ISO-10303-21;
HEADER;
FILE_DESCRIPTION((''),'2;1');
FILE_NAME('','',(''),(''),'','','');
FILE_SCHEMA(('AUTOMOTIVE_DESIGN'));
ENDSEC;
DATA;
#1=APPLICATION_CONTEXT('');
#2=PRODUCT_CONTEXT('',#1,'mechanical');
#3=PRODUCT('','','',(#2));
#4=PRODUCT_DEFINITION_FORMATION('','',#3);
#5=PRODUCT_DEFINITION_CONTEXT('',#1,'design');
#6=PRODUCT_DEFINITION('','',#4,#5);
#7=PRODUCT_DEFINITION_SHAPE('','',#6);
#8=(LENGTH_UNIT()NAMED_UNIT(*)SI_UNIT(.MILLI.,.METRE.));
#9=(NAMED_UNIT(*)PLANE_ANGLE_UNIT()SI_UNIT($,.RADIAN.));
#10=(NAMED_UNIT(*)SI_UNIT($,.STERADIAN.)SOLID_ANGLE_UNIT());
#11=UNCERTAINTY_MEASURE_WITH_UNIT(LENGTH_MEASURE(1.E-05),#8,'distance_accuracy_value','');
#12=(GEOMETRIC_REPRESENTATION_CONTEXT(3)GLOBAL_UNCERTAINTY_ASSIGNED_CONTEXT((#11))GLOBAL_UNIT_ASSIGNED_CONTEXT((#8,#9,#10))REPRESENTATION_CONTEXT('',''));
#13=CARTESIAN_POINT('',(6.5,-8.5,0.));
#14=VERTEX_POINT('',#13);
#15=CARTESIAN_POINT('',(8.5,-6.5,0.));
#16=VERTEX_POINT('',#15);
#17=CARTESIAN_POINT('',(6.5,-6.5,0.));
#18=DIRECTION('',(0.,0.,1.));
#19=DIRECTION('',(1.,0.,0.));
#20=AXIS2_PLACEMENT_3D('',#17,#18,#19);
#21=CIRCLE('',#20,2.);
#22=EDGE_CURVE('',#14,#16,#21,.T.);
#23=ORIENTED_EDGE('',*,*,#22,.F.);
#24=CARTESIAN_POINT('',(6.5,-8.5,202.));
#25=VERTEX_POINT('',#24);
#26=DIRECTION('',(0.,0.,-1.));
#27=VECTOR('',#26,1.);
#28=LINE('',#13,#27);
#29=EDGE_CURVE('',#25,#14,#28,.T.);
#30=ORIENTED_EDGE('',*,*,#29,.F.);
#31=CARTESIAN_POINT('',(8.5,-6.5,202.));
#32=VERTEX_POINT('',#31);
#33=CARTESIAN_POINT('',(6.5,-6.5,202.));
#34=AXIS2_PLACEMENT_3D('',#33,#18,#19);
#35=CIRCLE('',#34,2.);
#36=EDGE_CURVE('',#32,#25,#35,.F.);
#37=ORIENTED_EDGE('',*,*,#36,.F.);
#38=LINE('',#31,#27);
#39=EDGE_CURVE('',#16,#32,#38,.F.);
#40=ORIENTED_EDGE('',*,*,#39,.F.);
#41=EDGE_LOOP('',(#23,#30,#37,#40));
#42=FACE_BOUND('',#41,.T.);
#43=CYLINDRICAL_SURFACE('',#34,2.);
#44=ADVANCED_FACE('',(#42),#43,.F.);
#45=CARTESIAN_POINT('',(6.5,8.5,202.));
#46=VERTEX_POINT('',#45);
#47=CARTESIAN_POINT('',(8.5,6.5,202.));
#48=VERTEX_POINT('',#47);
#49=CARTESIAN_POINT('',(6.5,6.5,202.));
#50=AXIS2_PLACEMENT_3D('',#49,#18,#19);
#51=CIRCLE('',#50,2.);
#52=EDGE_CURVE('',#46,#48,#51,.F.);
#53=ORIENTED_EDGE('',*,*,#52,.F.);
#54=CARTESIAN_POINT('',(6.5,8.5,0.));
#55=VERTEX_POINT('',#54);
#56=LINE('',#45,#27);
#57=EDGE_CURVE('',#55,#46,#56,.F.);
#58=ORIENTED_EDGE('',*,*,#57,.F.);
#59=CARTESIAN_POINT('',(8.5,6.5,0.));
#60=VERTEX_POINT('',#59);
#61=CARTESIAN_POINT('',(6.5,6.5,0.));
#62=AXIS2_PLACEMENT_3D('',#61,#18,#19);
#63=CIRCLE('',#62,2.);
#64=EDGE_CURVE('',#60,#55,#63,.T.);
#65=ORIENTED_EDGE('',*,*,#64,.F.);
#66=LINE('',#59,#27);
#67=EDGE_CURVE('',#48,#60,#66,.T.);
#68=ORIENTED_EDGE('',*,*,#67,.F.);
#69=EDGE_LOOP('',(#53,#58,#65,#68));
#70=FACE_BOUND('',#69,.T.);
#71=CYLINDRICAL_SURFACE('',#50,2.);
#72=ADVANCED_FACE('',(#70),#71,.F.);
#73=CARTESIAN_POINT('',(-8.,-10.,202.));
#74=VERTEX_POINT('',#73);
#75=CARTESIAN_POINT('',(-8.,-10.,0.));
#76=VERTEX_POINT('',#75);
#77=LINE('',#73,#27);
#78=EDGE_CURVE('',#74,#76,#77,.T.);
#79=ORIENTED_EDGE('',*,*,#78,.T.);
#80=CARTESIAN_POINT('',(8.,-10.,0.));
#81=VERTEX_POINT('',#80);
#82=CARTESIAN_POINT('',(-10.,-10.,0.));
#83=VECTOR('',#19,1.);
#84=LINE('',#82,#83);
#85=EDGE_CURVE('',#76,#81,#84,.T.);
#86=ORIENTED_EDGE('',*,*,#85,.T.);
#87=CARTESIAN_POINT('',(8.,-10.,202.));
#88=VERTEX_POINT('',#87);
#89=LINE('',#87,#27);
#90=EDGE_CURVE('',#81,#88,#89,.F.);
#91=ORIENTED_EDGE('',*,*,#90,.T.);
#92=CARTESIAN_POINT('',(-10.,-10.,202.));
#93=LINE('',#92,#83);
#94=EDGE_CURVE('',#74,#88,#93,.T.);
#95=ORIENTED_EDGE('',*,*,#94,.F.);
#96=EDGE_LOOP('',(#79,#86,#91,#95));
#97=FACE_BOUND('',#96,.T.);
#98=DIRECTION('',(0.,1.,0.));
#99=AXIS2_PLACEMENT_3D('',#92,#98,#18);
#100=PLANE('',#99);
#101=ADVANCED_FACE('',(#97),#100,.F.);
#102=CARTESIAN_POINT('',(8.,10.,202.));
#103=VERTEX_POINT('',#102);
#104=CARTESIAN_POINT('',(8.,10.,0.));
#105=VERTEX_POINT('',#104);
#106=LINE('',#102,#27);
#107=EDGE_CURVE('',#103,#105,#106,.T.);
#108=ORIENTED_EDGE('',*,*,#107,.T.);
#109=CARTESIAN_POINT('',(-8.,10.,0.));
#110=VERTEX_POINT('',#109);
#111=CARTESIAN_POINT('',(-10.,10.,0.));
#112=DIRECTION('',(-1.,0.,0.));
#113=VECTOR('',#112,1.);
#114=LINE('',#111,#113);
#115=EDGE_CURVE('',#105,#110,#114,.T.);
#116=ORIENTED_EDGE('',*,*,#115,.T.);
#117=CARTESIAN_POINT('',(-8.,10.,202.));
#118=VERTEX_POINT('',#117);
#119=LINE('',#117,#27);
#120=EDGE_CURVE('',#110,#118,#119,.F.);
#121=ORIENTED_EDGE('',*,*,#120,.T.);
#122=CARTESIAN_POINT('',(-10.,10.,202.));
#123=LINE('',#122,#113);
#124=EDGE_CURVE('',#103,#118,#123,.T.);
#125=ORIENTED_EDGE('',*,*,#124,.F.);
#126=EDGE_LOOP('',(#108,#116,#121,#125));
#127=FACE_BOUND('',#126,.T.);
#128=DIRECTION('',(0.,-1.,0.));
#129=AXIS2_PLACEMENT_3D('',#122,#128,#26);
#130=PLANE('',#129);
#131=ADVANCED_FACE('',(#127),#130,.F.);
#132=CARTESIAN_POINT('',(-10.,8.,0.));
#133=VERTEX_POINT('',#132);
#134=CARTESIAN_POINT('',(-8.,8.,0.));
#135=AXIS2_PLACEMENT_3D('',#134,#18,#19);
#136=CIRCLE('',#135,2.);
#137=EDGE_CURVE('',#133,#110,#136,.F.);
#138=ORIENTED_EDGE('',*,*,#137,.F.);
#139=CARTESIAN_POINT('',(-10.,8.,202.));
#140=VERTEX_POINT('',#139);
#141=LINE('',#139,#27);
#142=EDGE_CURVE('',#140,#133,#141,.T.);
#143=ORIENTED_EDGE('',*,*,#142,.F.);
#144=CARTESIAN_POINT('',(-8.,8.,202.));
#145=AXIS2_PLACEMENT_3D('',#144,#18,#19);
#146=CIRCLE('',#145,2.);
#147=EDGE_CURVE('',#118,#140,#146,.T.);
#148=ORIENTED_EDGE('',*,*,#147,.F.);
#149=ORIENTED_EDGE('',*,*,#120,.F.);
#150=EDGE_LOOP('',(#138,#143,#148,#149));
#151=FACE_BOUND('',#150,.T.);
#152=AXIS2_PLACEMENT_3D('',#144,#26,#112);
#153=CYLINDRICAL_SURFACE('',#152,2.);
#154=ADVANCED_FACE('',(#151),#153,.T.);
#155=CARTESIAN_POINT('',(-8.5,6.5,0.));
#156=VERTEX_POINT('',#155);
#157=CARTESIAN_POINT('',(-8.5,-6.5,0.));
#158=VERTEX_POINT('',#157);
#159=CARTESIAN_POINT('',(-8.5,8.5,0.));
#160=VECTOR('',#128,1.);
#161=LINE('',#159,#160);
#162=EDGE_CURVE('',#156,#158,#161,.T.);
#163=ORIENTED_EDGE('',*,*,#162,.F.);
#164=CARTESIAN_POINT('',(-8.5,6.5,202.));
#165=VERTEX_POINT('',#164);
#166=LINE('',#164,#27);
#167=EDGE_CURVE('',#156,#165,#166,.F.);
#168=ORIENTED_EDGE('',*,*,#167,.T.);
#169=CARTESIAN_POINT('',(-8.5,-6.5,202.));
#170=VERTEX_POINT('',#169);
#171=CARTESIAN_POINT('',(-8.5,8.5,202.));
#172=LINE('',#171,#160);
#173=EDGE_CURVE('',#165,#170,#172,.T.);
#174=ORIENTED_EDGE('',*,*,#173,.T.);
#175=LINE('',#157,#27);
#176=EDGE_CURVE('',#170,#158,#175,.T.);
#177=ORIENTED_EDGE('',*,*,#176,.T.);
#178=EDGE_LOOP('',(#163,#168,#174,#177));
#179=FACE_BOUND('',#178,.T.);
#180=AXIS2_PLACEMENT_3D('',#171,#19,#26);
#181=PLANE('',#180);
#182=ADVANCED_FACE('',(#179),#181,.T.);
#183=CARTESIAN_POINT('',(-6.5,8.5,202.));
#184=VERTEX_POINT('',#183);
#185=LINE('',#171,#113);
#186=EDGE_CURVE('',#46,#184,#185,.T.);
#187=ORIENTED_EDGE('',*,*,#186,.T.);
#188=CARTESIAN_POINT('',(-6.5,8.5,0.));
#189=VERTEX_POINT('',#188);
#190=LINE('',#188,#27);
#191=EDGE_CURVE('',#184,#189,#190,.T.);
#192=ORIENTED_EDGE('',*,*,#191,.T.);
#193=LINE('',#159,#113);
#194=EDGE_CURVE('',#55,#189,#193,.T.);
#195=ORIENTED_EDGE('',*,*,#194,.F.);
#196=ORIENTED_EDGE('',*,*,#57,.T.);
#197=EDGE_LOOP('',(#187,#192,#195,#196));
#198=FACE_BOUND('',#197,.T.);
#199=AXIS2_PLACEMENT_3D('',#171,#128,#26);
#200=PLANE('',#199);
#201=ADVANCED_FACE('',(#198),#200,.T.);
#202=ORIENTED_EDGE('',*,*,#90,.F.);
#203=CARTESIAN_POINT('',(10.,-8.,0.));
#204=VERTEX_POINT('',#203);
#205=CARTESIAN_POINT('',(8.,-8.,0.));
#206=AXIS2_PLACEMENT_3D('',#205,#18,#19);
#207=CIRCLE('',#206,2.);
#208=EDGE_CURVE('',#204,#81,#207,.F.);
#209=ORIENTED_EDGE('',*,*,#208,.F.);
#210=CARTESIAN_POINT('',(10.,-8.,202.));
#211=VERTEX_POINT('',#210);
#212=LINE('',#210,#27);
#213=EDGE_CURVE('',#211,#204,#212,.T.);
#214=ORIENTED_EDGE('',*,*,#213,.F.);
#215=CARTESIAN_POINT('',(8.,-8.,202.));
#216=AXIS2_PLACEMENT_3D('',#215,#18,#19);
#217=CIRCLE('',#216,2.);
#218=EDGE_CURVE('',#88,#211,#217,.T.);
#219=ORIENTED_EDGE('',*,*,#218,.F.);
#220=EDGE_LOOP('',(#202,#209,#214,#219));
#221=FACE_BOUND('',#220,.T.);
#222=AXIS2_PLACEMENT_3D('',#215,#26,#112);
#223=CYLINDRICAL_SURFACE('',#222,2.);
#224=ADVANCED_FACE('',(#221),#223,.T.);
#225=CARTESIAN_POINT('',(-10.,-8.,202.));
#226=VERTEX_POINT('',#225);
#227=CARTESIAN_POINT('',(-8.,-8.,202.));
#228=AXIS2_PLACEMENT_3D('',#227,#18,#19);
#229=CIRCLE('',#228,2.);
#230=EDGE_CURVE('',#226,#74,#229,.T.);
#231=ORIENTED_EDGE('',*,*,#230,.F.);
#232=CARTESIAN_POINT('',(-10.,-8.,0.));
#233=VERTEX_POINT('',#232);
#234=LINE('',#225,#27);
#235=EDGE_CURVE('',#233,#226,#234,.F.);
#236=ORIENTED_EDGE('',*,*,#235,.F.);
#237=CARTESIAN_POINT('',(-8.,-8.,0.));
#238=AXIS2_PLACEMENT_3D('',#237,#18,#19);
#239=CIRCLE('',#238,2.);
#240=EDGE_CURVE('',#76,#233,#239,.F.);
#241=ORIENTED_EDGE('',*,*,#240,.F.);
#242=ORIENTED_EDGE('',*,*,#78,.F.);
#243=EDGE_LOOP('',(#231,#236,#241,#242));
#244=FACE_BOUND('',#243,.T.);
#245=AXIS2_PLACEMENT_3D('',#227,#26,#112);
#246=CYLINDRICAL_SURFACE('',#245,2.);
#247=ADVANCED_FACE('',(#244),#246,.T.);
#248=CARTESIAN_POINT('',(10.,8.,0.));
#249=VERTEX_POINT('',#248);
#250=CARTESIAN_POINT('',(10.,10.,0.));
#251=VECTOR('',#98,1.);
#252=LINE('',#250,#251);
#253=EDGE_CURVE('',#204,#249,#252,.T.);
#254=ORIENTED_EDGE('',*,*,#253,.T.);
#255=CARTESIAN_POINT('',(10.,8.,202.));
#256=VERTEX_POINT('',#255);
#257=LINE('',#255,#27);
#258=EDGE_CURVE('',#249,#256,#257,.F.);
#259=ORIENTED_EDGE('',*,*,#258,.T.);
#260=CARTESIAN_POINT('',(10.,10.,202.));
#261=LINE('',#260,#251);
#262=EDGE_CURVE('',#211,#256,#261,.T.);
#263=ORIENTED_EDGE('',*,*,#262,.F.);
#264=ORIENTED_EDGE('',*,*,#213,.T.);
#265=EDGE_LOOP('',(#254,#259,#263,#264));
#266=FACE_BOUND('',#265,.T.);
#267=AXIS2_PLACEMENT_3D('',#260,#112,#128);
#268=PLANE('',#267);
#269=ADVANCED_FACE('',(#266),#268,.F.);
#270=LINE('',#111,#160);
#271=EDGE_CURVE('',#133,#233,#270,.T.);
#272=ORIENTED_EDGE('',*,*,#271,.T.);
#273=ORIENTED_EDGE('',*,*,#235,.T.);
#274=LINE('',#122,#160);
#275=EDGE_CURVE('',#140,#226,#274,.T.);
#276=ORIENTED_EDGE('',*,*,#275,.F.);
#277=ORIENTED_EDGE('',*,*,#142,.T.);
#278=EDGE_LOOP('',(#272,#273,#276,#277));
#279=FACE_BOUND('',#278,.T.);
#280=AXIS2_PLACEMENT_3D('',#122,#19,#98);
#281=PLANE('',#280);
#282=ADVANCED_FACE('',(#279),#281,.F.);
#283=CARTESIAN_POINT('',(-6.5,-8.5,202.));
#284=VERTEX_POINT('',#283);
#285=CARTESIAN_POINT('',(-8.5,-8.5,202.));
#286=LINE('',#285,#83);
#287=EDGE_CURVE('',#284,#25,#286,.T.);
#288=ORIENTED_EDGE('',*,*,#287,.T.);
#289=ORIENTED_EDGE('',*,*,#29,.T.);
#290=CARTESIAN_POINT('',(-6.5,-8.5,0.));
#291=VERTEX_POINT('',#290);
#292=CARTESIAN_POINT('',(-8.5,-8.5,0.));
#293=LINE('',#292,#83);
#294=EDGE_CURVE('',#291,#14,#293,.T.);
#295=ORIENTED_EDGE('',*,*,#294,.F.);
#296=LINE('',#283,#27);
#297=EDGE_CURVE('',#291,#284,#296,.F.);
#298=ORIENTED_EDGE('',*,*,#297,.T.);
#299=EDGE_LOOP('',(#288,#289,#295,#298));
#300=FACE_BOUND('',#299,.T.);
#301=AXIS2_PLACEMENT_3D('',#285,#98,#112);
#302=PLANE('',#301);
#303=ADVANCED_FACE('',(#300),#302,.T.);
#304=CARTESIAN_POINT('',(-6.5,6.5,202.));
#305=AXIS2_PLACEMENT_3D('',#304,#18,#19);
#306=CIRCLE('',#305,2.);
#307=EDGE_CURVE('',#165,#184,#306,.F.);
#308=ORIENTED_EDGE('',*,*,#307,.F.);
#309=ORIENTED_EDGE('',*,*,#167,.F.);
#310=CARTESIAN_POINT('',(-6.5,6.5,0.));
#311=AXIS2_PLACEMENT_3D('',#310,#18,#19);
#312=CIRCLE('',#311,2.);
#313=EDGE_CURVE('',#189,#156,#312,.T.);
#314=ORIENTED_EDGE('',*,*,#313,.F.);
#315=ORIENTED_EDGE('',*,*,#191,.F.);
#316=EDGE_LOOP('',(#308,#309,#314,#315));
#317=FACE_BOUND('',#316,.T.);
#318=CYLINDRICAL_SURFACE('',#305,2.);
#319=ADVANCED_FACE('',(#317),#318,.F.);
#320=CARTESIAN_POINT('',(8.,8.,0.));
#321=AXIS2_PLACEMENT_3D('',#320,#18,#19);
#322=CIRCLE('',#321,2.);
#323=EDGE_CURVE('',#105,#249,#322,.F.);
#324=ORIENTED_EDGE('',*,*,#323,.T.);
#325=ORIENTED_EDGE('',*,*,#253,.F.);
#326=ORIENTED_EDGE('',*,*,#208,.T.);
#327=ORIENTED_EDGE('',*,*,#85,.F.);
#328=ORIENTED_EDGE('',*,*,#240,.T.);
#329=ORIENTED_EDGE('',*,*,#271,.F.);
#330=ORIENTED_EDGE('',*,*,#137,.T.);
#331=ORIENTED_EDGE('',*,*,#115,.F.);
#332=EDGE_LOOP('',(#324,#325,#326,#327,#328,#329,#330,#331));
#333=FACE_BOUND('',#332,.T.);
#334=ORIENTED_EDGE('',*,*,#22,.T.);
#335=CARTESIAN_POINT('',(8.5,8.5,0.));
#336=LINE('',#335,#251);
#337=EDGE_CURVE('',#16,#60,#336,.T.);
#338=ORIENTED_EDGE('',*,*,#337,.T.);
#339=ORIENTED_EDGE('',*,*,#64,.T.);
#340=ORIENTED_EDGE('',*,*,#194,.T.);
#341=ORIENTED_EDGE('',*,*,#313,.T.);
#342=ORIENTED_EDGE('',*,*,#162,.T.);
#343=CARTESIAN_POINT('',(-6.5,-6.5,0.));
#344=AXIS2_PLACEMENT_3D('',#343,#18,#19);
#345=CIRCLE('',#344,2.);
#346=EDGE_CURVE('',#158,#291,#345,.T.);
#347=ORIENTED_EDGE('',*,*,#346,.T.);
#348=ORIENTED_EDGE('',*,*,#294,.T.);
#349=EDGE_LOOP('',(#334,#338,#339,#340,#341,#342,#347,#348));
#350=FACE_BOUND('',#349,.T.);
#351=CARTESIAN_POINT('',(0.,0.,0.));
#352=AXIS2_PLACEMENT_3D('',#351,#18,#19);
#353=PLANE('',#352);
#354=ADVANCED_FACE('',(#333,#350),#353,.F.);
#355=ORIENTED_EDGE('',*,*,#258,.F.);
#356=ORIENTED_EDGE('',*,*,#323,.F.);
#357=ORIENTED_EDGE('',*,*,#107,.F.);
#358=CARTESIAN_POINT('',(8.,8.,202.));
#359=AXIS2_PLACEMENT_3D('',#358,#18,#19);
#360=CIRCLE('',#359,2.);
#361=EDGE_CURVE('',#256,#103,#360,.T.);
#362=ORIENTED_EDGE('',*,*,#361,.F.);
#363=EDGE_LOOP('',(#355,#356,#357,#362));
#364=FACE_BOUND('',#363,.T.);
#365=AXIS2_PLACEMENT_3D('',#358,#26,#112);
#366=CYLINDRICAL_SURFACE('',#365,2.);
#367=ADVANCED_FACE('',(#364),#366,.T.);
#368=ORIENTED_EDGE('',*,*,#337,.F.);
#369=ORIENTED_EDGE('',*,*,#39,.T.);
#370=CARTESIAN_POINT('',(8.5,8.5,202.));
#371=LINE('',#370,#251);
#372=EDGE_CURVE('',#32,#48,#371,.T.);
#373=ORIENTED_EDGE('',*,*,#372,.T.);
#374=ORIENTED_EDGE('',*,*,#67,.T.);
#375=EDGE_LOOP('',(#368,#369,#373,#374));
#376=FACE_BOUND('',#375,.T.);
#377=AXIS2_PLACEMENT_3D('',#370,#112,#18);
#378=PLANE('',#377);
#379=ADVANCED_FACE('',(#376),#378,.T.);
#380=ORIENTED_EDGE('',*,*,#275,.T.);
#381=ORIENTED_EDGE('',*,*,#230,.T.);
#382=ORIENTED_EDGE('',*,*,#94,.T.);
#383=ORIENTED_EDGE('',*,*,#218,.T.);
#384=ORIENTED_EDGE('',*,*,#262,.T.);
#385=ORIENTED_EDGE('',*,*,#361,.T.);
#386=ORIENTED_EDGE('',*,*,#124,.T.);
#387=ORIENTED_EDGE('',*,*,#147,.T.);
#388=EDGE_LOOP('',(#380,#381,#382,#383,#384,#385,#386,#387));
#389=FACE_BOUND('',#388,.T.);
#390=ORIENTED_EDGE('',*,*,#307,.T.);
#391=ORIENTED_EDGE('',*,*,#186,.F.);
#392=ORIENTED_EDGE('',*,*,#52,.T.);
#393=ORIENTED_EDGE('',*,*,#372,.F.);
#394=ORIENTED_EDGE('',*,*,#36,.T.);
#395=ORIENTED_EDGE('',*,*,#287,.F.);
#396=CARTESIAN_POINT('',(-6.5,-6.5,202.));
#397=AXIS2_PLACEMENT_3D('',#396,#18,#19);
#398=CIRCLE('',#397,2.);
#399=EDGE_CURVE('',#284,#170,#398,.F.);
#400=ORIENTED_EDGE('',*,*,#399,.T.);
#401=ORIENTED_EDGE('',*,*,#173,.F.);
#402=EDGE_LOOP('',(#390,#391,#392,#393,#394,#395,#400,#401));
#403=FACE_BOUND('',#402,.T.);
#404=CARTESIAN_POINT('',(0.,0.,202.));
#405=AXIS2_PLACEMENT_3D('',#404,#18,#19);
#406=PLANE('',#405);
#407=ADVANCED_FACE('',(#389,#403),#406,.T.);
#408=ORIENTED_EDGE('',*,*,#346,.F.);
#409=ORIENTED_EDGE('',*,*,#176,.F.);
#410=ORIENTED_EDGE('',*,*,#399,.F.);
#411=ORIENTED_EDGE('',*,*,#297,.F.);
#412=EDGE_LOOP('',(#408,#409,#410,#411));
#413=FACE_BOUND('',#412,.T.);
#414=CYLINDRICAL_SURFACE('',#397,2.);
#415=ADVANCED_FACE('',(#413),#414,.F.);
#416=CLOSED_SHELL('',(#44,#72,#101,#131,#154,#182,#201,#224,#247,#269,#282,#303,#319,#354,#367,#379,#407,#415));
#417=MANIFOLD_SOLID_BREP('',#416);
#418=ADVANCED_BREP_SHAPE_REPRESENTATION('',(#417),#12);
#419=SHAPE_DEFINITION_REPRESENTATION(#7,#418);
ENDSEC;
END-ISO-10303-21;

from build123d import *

# Parameters (mm, degrees)
SKETCH1_W           = 20
SKETCH1_H           = 20
SKETCH1_W_2         = 17
SKETCH1_H_2         = 17
BOSS_EXTRUDE1_DEPTH = 202
FILLET1_R           = 2


with BuildPart() as part:
    # Sketch1 → Boss-Extrude1 (new body)
    with BuildSketch(Plane.XY):
        Rectangle(SKETCH1_W, SKETCH1_H)
        Rectangle(SKETCH1_W_2, SKETCH1_H_2, mode=Mode.SUBTRACT)
    extrude(amount=BOSS_EXTRUDE1_DEPTH)

    # Fillet1
    fillet1_edges = [part.edges().sort_by_distance(p)[0] for p in [
        (-8.5, 8.5, 101),
        (-8.5, -8.5, 101),
        (8.5, -8.5, 101),
        (8.5, 8.5, 101),
        (10, -10, 101),
        (-10, -10, 101),
        (-10, 10, 101),
        (10, 10, 101),
    ]]
    fillet(fillet1_edges, radius=FILLET1_R)


solid = part.part
